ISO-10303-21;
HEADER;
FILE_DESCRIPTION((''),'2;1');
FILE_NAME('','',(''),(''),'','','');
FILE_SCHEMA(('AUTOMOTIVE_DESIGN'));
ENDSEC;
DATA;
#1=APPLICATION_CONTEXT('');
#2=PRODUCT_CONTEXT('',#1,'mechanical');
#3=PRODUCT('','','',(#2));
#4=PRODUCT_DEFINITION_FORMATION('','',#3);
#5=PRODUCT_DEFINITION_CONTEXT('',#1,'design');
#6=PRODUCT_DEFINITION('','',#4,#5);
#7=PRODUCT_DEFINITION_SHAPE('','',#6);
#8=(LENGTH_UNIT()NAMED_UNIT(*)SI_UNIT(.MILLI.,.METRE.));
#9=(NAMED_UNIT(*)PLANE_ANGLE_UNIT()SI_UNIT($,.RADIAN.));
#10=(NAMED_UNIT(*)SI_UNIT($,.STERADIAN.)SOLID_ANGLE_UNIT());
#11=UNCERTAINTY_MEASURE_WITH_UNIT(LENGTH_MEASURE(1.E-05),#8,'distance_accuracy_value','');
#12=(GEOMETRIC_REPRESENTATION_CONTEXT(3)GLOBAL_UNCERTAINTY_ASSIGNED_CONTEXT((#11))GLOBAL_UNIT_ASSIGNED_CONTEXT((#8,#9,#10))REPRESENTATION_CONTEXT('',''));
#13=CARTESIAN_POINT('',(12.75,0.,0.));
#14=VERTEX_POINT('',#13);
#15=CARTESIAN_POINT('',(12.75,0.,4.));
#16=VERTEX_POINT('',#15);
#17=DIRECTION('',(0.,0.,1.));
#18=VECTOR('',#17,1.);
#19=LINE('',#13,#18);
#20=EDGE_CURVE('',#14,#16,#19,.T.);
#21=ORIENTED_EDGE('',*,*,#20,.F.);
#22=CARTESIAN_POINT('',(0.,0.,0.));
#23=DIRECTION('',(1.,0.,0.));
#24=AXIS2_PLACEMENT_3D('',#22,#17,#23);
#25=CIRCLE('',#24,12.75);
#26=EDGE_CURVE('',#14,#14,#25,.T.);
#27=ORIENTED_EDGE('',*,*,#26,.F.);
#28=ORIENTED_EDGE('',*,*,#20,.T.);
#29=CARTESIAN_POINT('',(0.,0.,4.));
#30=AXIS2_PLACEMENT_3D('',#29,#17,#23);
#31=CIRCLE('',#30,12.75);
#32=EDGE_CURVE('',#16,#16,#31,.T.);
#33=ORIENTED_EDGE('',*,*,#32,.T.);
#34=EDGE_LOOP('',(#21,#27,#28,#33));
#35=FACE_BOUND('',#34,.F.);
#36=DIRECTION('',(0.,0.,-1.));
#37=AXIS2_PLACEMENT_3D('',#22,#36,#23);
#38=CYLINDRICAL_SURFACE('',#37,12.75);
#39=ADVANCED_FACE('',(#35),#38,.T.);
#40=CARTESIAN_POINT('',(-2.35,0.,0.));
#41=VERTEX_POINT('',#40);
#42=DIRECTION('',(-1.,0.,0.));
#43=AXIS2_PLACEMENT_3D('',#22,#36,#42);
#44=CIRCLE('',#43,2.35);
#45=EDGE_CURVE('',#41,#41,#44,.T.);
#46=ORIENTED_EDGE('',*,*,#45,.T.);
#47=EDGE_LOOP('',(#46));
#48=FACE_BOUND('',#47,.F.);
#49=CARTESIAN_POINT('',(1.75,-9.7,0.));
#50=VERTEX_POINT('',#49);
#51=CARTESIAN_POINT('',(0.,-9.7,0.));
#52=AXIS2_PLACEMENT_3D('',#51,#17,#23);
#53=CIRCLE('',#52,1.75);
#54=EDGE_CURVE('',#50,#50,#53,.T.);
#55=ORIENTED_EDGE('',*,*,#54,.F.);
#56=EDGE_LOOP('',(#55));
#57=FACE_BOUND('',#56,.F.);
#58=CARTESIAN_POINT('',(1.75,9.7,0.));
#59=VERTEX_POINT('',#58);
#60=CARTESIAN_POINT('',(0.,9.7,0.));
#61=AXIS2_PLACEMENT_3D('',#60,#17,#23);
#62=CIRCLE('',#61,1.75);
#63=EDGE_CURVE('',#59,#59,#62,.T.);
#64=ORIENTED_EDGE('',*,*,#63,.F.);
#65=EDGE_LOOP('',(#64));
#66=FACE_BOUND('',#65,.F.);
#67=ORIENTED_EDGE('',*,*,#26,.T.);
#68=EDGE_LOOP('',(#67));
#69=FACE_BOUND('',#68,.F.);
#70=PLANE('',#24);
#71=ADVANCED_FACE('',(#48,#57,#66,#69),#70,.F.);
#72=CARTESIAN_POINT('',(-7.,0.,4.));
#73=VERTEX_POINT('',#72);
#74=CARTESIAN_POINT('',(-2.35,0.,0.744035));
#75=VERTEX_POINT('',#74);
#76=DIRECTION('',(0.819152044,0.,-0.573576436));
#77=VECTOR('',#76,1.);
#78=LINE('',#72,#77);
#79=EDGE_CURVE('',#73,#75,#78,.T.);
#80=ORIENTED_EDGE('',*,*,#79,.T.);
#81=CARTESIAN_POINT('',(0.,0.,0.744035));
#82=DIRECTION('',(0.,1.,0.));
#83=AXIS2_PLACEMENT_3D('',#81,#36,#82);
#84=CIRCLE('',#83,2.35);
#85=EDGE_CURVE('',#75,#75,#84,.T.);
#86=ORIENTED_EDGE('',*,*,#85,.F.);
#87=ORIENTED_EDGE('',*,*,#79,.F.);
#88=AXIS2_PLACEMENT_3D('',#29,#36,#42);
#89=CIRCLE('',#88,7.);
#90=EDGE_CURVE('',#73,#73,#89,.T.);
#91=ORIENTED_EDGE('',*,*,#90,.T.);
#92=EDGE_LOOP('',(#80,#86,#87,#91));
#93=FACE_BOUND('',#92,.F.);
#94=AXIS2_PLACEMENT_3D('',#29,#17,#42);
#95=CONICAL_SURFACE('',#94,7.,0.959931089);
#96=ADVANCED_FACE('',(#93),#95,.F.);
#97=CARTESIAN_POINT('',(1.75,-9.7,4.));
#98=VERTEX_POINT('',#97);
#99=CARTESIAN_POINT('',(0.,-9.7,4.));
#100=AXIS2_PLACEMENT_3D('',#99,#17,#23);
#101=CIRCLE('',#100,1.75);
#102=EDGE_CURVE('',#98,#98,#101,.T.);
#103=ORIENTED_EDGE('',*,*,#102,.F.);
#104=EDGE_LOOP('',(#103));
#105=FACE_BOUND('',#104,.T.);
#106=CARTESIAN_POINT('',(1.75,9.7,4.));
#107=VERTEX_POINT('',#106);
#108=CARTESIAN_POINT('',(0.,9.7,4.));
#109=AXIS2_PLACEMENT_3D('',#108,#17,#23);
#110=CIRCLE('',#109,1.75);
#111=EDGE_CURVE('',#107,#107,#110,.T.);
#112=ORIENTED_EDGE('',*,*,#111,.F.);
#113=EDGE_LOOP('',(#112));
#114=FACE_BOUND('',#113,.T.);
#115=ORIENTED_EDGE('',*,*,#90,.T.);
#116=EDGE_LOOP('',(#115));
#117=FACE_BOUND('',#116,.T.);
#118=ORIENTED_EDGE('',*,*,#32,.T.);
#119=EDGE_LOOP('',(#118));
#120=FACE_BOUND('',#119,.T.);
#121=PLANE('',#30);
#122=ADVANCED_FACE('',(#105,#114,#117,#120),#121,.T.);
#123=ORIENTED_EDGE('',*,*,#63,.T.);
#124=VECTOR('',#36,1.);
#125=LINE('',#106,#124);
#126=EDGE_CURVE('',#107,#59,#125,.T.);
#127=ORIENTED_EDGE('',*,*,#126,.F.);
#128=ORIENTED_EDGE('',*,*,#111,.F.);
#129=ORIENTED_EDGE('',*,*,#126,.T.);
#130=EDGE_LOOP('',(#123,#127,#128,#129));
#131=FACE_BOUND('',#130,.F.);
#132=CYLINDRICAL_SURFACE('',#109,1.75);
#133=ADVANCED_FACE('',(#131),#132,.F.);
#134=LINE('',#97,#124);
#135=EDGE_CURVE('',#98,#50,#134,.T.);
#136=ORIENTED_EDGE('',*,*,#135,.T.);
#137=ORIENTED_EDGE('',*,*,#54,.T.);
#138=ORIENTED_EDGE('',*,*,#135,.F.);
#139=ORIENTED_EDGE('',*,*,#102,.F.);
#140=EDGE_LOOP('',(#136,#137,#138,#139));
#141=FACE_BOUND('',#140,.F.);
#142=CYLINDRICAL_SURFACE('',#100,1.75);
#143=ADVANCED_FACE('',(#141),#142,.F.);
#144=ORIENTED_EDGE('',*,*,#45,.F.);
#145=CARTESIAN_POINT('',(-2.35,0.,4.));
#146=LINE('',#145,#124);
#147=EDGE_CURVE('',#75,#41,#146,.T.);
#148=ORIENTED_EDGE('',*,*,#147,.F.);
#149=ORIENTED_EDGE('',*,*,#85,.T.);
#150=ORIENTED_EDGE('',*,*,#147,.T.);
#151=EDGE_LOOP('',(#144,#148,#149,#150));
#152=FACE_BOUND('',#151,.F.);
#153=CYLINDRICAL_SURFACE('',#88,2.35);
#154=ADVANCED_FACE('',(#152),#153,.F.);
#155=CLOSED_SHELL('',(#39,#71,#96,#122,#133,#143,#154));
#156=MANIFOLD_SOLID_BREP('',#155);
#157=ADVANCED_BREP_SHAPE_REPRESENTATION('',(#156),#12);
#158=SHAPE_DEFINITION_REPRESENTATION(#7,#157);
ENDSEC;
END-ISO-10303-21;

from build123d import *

# Parameters (mm, degrees)
F0_R           = 12.75
F1_DEPTH       = 4
F3_D           = 4.7
F3_CSINK_D     = 14
F3_CSINK_ANGLE = 110
F4_R           = 1.75
F5_DEPTH       = 4.001


with BuildPart() as f1:
    # F0 (on Top) → F1 (new body)
    with BuildSketch(Plane.XY):
        Circle(F0_R)
    extrude(amount=F1_DEPTH)

    # F3 (through all)
    with Locations(Plane.XY.offset(4)):
        with Locations((0, 0)):
            CounterSinkHole(F3_D / 2, F3_CSINK_D / 2, counter_sink_angle=F3_CSINK_ANGLE)

    # F4 (on face) → F5 (cut, through all)
    with BuildSketch(Plane.XY.offset(4)):
        with Locations((0, -9.7)):
            Circle(F4_R)
        with Locations((0, 9.7)):
            Circle(F4_R)
    extrude(amount=-F5_DEPTH, mode=Mode.SUBTRACT)


solid = f1.part
